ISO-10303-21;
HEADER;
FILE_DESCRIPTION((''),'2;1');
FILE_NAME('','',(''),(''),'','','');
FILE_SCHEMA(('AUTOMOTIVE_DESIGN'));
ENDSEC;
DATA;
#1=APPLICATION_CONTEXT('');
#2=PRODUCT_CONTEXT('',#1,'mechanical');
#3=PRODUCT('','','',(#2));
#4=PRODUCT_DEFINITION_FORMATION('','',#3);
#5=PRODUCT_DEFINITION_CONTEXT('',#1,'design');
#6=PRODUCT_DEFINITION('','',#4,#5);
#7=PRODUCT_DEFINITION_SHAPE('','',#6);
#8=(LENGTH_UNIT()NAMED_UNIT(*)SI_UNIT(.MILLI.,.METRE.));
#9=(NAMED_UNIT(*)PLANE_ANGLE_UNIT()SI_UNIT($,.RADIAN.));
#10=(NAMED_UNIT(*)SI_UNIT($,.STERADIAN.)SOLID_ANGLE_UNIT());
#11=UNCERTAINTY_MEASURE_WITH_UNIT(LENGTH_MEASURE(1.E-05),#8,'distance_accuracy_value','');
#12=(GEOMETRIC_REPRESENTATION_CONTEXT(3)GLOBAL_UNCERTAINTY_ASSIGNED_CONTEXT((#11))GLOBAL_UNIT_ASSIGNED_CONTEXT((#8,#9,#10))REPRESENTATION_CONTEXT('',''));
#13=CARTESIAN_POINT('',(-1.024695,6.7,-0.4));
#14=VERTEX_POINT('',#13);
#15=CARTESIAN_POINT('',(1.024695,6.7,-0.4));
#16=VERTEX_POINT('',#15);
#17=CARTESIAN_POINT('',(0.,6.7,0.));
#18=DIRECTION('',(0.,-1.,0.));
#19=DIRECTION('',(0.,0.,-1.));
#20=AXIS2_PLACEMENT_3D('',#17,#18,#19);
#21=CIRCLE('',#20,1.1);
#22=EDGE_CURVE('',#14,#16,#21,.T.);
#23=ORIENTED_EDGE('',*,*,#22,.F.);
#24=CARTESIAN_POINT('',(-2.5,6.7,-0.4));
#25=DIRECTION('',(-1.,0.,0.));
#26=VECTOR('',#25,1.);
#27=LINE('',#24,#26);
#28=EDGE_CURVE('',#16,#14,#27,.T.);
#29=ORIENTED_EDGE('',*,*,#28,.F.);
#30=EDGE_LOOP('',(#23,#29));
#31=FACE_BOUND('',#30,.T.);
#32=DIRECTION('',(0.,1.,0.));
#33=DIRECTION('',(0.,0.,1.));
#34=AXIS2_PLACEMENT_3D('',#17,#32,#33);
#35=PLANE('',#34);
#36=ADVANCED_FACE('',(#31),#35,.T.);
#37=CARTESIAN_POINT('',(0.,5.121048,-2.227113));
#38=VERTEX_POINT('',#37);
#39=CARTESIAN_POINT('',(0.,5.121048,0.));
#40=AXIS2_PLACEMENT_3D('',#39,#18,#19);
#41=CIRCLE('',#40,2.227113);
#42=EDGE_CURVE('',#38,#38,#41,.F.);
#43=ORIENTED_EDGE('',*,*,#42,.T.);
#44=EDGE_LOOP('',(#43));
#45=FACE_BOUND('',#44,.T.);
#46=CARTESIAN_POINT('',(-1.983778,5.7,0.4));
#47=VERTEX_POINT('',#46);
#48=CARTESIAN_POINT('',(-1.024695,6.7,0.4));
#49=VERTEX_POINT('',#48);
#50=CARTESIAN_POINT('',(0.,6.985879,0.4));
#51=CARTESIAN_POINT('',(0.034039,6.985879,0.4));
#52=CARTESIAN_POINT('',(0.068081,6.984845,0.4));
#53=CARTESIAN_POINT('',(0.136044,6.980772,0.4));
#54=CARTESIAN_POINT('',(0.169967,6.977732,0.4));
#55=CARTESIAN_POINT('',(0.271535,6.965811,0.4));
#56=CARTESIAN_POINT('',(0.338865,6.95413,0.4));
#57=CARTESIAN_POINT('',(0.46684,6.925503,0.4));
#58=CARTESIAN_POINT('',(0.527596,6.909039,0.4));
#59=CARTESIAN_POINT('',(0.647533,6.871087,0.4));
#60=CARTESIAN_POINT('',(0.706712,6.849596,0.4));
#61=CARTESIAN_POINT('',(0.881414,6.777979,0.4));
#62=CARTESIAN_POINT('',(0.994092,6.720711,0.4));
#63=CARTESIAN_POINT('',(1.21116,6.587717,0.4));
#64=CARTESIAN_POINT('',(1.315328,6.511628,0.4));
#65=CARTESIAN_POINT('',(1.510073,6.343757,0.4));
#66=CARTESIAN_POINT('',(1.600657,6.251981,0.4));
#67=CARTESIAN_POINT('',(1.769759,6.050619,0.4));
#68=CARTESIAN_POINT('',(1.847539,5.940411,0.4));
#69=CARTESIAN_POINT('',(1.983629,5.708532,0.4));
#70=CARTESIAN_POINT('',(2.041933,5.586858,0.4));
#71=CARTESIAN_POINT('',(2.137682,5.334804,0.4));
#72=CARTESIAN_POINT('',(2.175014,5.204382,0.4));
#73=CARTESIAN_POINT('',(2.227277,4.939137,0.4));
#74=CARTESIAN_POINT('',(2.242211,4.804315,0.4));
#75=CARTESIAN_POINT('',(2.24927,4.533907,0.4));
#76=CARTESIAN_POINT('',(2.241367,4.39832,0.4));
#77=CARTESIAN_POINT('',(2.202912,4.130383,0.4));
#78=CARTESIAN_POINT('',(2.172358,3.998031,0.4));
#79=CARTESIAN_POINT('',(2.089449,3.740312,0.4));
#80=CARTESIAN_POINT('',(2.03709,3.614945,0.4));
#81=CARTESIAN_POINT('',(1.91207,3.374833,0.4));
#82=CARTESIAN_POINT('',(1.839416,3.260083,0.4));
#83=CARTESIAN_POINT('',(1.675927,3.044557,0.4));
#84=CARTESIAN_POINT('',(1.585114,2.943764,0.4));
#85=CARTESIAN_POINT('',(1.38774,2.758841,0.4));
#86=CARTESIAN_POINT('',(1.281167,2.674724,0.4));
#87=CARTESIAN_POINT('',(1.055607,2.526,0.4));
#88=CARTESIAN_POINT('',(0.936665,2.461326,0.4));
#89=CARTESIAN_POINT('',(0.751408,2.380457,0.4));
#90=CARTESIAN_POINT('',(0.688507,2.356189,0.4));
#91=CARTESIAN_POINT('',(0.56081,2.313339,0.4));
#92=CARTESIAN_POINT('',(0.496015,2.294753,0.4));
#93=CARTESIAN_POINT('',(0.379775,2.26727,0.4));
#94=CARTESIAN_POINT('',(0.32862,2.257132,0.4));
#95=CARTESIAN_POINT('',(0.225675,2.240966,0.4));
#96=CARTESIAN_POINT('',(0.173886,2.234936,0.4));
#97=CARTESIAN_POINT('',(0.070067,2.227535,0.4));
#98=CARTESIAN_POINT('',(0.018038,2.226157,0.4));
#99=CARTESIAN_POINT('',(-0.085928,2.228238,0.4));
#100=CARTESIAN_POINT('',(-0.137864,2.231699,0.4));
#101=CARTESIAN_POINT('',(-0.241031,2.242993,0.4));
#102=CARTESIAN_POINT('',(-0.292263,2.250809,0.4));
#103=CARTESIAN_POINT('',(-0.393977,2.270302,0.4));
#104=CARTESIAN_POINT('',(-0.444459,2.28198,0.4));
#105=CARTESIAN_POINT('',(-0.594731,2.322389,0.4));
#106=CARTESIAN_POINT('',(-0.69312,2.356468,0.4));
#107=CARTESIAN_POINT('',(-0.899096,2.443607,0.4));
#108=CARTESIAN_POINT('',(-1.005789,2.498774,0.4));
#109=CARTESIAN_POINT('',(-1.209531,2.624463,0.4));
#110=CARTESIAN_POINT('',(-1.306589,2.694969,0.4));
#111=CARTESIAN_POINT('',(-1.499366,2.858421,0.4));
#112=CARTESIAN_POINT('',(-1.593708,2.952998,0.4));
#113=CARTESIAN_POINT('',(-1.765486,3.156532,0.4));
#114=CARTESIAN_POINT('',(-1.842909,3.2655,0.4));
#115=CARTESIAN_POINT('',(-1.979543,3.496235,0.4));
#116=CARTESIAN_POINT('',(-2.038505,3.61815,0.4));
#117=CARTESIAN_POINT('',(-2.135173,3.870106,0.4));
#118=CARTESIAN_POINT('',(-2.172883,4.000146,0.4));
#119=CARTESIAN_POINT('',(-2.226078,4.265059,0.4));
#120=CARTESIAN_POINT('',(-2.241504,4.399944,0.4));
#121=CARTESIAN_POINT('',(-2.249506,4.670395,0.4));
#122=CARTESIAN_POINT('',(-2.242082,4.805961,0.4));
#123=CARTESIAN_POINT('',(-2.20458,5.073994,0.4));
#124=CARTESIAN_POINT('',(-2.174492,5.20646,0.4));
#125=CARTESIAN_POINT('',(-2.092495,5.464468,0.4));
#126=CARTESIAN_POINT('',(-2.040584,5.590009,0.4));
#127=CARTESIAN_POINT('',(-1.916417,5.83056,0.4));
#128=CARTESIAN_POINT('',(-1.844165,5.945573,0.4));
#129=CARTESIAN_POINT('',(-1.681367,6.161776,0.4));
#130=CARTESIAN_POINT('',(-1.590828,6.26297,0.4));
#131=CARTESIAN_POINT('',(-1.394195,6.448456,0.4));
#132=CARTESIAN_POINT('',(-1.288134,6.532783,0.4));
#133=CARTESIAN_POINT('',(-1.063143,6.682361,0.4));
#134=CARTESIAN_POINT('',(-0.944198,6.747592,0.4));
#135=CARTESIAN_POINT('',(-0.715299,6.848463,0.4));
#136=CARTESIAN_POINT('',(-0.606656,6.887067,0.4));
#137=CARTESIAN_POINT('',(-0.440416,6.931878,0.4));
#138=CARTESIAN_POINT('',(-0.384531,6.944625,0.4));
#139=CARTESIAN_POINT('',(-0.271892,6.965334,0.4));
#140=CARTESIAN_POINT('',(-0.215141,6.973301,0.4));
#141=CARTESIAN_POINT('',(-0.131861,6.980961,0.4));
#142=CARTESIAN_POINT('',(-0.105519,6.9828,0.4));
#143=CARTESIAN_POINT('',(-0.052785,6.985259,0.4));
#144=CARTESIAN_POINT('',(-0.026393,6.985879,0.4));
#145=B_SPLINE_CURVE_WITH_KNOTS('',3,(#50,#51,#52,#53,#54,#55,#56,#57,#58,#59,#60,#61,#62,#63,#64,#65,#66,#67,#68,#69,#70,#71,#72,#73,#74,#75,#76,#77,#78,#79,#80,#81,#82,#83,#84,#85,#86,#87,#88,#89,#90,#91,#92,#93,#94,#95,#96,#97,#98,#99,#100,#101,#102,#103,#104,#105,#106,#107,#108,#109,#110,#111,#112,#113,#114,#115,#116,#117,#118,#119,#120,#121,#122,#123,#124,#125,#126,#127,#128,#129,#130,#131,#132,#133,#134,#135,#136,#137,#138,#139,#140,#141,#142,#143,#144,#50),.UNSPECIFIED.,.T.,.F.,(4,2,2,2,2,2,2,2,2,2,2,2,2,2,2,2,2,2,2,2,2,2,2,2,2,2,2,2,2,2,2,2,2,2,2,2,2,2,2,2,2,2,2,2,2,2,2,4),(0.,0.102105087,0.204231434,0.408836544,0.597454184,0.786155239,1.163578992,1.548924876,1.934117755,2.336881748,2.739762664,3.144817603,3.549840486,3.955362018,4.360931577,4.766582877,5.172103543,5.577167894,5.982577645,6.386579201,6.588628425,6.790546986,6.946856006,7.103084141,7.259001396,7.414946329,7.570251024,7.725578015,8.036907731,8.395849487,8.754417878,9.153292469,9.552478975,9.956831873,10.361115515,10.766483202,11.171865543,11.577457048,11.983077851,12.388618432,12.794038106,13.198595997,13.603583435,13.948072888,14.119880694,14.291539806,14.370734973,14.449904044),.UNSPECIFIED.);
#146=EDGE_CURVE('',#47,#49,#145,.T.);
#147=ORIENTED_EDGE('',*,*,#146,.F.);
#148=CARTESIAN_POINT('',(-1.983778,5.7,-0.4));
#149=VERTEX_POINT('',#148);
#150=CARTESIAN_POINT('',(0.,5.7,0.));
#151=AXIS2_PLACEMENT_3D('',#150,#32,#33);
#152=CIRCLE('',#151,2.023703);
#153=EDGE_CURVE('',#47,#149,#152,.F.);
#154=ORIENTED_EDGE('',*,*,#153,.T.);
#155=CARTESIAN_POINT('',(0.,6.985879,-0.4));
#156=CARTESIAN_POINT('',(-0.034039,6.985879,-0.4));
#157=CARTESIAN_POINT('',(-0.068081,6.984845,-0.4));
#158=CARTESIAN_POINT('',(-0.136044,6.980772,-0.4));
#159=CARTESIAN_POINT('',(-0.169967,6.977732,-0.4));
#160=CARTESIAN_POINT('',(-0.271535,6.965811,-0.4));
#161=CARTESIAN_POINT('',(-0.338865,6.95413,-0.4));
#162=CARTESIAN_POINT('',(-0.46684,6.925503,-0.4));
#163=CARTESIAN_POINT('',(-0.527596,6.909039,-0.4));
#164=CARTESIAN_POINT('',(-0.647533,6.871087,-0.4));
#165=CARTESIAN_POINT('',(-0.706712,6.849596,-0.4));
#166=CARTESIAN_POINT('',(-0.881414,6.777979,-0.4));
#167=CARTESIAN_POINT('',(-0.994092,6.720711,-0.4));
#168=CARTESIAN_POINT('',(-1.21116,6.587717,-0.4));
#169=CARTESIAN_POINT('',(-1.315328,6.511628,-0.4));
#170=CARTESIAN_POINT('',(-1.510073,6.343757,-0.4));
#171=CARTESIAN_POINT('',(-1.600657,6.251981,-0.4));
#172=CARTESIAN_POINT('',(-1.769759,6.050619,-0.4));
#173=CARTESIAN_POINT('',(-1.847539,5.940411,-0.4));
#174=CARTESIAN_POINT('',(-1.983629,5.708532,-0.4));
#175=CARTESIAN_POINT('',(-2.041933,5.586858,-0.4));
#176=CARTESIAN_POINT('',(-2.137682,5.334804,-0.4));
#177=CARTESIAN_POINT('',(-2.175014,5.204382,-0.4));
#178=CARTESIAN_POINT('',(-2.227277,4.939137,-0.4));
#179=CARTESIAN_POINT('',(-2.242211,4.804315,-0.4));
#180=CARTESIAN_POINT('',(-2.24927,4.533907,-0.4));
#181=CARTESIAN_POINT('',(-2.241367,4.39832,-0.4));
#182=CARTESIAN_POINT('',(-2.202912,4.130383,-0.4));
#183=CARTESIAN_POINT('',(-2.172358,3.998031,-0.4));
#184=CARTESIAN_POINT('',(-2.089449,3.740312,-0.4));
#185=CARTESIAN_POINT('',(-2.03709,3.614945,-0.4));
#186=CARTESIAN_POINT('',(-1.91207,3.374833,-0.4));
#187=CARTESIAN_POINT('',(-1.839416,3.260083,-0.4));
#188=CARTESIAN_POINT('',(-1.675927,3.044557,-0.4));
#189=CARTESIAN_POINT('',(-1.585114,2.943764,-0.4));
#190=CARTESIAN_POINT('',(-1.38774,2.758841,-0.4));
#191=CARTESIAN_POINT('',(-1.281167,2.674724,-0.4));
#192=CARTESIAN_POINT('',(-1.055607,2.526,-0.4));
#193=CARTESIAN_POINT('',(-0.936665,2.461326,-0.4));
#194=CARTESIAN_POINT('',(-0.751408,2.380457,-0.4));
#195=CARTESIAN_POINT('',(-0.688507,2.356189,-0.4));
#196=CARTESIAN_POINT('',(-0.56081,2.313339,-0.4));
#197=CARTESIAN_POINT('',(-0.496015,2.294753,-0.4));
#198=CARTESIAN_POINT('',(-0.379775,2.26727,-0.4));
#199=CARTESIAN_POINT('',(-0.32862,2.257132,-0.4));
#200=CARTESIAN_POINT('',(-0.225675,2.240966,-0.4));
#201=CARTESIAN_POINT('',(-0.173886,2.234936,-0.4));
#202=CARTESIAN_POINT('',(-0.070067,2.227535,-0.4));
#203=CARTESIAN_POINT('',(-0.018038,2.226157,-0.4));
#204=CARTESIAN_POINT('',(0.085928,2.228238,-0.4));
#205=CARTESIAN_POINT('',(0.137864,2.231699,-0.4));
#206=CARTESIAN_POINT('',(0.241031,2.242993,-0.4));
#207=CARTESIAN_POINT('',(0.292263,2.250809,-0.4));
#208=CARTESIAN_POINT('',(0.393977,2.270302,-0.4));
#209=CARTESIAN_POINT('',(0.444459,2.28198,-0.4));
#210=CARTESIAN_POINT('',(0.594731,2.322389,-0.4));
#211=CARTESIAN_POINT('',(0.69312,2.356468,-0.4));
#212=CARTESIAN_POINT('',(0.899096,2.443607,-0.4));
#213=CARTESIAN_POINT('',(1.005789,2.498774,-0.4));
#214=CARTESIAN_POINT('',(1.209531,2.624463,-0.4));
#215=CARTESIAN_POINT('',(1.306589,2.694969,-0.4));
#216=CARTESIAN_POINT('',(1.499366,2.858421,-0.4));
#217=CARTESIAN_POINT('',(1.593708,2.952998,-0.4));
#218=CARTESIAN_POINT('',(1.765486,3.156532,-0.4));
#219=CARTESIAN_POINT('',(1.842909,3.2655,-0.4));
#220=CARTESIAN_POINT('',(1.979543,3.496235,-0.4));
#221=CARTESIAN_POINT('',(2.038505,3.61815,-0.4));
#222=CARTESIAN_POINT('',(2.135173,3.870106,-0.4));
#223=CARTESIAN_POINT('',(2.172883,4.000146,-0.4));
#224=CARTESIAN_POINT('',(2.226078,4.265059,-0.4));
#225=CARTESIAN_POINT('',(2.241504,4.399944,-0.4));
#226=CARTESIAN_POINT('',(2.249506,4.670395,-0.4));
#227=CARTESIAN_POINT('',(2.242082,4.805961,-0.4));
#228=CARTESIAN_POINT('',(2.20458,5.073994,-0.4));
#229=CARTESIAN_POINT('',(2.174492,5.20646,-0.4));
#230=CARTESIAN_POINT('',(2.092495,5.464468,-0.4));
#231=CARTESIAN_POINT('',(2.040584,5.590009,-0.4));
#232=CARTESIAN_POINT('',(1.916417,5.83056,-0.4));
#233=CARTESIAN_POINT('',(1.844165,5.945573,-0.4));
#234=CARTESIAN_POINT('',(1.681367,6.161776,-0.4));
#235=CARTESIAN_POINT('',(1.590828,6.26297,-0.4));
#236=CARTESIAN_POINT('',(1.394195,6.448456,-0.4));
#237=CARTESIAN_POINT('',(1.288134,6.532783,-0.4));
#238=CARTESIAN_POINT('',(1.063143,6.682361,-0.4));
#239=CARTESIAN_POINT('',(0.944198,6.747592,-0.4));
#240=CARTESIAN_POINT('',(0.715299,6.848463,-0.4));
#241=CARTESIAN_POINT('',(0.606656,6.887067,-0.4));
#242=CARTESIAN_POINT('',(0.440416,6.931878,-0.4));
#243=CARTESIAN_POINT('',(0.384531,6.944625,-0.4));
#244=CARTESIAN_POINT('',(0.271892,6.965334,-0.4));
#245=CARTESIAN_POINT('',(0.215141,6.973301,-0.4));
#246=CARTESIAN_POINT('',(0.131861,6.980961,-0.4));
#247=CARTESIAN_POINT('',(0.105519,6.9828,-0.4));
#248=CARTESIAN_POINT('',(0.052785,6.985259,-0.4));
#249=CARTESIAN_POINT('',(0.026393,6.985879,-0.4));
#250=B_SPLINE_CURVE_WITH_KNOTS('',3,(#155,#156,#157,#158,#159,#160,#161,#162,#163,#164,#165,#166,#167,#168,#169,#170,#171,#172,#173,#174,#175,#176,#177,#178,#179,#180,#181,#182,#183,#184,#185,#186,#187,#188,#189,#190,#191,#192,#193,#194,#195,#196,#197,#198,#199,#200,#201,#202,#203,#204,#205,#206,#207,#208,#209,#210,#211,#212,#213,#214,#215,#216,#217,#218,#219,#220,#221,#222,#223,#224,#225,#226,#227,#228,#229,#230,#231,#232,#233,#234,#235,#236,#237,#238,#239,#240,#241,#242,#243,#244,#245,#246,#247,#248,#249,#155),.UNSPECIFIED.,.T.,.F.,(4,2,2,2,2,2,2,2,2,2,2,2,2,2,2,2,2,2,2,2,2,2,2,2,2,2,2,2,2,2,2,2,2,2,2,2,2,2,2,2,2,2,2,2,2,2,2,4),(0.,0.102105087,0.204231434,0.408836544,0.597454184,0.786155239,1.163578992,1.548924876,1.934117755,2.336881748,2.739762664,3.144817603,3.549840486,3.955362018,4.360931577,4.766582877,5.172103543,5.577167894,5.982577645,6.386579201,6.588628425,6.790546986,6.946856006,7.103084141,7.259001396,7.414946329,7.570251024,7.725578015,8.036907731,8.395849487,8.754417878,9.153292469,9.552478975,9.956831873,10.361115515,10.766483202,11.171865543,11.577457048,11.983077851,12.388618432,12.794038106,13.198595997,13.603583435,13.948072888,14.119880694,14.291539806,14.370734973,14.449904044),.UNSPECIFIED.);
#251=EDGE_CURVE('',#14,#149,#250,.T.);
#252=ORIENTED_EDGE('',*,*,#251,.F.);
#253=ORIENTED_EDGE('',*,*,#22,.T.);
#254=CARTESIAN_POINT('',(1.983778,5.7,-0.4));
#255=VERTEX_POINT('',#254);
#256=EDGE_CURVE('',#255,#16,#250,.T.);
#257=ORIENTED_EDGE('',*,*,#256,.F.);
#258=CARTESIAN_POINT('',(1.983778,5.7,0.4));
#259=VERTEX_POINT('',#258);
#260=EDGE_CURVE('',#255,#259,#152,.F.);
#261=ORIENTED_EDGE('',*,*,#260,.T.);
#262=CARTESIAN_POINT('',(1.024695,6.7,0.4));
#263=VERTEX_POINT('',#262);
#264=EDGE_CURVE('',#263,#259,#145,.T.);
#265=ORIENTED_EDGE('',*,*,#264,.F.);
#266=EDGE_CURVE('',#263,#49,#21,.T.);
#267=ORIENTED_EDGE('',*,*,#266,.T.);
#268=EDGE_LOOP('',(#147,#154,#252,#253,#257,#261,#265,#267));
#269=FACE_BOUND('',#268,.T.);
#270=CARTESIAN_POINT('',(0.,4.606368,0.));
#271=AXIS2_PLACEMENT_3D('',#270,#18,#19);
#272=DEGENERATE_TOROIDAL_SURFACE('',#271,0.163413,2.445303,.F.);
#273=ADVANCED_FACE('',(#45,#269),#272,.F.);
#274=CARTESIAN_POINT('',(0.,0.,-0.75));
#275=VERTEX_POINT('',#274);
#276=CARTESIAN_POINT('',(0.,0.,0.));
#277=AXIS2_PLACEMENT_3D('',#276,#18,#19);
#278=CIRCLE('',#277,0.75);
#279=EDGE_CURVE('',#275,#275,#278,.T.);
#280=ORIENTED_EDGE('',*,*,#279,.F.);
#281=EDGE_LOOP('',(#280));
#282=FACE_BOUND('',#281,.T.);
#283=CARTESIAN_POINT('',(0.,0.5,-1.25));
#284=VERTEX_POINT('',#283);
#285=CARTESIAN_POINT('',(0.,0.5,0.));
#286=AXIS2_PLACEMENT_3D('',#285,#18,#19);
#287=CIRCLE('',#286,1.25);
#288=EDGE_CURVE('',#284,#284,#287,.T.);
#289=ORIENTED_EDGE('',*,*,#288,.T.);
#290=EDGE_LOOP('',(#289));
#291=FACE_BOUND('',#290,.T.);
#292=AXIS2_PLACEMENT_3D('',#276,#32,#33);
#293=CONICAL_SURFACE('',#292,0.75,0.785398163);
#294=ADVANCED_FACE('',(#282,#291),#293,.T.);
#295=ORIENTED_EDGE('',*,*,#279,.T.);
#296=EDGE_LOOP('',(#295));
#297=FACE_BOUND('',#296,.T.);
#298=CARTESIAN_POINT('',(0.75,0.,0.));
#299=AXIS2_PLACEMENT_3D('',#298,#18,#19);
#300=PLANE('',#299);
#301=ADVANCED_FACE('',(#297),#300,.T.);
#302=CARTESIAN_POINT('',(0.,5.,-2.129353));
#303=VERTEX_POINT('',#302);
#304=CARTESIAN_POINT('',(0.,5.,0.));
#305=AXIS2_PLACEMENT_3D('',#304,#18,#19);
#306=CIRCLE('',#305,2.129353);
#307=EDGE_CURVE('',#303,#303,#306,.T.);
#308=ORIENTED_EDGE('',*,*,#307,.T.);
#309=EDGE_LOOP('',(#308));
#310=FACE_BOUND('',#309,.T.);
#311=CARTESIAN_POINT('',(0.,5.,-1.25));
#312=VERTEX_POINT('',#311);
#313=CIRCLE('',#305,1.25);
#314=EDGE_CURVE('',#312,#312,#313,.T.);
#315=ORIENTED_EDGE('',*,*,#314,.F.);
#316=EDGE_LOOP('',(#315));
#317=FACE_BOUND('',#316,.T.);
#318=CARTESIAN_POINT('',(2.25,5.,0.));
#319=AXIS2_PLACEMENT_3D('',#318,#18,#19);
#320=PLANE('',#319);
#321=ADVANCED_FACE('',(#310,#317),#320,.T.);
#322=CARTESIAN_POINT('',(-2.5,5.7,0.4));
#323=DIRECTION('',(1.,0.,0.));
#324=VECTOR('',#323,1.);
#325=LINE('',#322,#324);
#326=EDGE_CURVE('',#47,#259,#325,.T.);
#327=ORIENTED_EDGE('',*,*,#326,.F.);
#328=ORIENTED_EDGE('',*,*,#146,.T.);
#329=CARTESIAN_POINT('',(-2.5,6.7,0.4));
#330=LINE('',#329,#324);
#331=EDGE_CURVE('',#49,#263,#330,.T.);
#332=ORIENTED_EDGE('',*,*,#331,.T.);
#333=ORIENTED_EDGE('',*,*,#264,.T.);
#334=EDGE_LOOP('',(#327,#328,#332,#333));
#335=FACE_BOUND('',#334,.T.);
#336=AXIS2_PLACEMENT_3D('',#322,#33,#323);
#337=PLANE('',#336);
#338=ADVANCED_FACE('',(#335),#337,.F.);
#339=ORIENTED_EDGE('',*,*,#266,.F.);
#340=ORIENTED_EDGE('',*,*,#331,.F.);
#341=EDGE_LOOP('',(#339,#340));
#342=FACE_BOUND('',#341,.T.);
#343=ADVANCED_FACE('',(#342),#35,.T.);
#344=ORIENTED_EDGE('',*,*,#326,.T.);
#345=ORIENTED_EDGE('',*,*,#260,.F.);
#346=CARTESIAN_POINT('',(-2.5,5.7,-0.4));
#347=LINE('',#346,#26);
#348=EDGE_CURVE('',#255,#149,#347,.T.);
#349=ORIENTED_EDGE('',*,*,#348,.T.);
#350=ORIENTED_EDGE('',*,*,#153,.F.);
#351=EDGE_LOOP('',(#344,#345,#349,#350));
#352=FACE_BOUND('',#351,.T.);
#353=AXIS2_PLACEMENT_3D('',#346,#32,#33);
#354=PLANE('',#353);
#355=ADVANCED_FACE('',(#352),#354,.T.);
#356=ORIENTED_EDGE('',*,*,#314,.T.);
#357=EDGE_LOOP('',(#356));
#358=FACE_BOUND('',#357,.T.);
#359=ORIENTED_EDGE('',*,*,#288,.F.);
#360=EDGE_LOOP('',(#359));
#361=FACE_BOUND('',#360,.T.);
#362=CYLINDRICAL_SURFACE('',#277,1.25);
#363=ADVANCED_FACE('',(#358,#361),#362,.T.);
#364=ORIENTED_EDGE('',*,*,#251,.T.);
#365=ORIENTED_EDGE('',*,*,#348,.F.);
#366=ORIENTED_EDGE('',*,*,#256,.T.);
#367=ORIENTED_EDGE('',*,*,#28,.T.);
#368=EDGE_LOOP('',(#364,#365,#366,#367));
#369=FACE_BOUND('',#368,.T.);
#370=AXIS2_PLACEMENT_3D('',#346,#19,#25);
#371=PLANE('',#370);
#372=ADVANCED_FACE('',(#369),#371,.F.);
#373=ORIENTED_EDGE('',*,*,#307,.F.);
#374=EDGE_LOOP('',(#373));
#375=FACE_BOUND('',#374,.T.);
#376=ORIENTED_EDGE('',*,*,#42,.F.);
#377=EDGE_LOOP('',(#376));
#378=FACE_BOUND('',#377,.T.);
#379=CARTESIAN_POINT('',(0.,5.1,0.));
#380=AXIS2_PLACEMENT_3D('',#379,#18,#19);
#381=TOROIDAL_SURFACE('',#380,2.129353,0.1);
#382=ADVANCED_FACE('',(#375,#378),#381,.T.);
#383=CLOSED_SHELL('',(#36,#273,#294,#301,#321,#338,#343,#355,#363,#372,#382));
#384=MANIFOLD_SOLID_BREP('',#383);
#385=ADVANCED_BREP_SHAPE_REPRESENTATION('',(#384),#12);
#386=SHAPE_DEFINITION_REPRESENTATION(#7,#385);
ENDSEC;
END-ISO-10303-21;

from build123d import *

# Parameters (mm, degrees)
FILLET_1_R          = 0.1
SKETCH_3_W          = 5
SKETCH_3_H          = 0.8
CUT_EXTRUDE_2_DEPTH = 1


with BuildPart() as part:
    # Эскиз1 → Повернуть1 (revolve)
    with BuildSketch(Plane.XY):
        with BuildLine():
            Line((2.25, 5), (1.25, 5))
            Line((1.25, 5), (1.25, 0.5))
            Line((1.25, 0.5), (0.75, 0))
            Line((0.75, 0), (0, 0))
            Line((0, 0), (0, 6.7))
            Line((0, 6.7), (1.1, 6.7))
            ThreePointArc((1.1, 6.7), (1.861991249, 5.97649408), (2.25, 5))
        make_face()
    revolve(axis=Axis((0, 0, 0), (0, 1, 0)))

    # Скругление1
    fillet_1_edges = [part.edges().sort_by_distance(p)[0] for p in [
        (-2.25, 5, 0),
    ]]
    fillet(fillet_1_edges, radius=FILLET_1_R)

    # Эскиз3 → Вырез-Вытянуть2 (cut)
    with BuildSketch(Plane(origin=(0, 6.7, 0), x_dir=(-1, 0, 0), z_dir=(0, 1, 0))):
        Rectangle(SKETCH_3_W, SKETCH_3_H)
    extrude(amount=-CUT_EXTRUDE_2_DEPTH, mode=Mode.SUBTRACT)


solid = part.part
